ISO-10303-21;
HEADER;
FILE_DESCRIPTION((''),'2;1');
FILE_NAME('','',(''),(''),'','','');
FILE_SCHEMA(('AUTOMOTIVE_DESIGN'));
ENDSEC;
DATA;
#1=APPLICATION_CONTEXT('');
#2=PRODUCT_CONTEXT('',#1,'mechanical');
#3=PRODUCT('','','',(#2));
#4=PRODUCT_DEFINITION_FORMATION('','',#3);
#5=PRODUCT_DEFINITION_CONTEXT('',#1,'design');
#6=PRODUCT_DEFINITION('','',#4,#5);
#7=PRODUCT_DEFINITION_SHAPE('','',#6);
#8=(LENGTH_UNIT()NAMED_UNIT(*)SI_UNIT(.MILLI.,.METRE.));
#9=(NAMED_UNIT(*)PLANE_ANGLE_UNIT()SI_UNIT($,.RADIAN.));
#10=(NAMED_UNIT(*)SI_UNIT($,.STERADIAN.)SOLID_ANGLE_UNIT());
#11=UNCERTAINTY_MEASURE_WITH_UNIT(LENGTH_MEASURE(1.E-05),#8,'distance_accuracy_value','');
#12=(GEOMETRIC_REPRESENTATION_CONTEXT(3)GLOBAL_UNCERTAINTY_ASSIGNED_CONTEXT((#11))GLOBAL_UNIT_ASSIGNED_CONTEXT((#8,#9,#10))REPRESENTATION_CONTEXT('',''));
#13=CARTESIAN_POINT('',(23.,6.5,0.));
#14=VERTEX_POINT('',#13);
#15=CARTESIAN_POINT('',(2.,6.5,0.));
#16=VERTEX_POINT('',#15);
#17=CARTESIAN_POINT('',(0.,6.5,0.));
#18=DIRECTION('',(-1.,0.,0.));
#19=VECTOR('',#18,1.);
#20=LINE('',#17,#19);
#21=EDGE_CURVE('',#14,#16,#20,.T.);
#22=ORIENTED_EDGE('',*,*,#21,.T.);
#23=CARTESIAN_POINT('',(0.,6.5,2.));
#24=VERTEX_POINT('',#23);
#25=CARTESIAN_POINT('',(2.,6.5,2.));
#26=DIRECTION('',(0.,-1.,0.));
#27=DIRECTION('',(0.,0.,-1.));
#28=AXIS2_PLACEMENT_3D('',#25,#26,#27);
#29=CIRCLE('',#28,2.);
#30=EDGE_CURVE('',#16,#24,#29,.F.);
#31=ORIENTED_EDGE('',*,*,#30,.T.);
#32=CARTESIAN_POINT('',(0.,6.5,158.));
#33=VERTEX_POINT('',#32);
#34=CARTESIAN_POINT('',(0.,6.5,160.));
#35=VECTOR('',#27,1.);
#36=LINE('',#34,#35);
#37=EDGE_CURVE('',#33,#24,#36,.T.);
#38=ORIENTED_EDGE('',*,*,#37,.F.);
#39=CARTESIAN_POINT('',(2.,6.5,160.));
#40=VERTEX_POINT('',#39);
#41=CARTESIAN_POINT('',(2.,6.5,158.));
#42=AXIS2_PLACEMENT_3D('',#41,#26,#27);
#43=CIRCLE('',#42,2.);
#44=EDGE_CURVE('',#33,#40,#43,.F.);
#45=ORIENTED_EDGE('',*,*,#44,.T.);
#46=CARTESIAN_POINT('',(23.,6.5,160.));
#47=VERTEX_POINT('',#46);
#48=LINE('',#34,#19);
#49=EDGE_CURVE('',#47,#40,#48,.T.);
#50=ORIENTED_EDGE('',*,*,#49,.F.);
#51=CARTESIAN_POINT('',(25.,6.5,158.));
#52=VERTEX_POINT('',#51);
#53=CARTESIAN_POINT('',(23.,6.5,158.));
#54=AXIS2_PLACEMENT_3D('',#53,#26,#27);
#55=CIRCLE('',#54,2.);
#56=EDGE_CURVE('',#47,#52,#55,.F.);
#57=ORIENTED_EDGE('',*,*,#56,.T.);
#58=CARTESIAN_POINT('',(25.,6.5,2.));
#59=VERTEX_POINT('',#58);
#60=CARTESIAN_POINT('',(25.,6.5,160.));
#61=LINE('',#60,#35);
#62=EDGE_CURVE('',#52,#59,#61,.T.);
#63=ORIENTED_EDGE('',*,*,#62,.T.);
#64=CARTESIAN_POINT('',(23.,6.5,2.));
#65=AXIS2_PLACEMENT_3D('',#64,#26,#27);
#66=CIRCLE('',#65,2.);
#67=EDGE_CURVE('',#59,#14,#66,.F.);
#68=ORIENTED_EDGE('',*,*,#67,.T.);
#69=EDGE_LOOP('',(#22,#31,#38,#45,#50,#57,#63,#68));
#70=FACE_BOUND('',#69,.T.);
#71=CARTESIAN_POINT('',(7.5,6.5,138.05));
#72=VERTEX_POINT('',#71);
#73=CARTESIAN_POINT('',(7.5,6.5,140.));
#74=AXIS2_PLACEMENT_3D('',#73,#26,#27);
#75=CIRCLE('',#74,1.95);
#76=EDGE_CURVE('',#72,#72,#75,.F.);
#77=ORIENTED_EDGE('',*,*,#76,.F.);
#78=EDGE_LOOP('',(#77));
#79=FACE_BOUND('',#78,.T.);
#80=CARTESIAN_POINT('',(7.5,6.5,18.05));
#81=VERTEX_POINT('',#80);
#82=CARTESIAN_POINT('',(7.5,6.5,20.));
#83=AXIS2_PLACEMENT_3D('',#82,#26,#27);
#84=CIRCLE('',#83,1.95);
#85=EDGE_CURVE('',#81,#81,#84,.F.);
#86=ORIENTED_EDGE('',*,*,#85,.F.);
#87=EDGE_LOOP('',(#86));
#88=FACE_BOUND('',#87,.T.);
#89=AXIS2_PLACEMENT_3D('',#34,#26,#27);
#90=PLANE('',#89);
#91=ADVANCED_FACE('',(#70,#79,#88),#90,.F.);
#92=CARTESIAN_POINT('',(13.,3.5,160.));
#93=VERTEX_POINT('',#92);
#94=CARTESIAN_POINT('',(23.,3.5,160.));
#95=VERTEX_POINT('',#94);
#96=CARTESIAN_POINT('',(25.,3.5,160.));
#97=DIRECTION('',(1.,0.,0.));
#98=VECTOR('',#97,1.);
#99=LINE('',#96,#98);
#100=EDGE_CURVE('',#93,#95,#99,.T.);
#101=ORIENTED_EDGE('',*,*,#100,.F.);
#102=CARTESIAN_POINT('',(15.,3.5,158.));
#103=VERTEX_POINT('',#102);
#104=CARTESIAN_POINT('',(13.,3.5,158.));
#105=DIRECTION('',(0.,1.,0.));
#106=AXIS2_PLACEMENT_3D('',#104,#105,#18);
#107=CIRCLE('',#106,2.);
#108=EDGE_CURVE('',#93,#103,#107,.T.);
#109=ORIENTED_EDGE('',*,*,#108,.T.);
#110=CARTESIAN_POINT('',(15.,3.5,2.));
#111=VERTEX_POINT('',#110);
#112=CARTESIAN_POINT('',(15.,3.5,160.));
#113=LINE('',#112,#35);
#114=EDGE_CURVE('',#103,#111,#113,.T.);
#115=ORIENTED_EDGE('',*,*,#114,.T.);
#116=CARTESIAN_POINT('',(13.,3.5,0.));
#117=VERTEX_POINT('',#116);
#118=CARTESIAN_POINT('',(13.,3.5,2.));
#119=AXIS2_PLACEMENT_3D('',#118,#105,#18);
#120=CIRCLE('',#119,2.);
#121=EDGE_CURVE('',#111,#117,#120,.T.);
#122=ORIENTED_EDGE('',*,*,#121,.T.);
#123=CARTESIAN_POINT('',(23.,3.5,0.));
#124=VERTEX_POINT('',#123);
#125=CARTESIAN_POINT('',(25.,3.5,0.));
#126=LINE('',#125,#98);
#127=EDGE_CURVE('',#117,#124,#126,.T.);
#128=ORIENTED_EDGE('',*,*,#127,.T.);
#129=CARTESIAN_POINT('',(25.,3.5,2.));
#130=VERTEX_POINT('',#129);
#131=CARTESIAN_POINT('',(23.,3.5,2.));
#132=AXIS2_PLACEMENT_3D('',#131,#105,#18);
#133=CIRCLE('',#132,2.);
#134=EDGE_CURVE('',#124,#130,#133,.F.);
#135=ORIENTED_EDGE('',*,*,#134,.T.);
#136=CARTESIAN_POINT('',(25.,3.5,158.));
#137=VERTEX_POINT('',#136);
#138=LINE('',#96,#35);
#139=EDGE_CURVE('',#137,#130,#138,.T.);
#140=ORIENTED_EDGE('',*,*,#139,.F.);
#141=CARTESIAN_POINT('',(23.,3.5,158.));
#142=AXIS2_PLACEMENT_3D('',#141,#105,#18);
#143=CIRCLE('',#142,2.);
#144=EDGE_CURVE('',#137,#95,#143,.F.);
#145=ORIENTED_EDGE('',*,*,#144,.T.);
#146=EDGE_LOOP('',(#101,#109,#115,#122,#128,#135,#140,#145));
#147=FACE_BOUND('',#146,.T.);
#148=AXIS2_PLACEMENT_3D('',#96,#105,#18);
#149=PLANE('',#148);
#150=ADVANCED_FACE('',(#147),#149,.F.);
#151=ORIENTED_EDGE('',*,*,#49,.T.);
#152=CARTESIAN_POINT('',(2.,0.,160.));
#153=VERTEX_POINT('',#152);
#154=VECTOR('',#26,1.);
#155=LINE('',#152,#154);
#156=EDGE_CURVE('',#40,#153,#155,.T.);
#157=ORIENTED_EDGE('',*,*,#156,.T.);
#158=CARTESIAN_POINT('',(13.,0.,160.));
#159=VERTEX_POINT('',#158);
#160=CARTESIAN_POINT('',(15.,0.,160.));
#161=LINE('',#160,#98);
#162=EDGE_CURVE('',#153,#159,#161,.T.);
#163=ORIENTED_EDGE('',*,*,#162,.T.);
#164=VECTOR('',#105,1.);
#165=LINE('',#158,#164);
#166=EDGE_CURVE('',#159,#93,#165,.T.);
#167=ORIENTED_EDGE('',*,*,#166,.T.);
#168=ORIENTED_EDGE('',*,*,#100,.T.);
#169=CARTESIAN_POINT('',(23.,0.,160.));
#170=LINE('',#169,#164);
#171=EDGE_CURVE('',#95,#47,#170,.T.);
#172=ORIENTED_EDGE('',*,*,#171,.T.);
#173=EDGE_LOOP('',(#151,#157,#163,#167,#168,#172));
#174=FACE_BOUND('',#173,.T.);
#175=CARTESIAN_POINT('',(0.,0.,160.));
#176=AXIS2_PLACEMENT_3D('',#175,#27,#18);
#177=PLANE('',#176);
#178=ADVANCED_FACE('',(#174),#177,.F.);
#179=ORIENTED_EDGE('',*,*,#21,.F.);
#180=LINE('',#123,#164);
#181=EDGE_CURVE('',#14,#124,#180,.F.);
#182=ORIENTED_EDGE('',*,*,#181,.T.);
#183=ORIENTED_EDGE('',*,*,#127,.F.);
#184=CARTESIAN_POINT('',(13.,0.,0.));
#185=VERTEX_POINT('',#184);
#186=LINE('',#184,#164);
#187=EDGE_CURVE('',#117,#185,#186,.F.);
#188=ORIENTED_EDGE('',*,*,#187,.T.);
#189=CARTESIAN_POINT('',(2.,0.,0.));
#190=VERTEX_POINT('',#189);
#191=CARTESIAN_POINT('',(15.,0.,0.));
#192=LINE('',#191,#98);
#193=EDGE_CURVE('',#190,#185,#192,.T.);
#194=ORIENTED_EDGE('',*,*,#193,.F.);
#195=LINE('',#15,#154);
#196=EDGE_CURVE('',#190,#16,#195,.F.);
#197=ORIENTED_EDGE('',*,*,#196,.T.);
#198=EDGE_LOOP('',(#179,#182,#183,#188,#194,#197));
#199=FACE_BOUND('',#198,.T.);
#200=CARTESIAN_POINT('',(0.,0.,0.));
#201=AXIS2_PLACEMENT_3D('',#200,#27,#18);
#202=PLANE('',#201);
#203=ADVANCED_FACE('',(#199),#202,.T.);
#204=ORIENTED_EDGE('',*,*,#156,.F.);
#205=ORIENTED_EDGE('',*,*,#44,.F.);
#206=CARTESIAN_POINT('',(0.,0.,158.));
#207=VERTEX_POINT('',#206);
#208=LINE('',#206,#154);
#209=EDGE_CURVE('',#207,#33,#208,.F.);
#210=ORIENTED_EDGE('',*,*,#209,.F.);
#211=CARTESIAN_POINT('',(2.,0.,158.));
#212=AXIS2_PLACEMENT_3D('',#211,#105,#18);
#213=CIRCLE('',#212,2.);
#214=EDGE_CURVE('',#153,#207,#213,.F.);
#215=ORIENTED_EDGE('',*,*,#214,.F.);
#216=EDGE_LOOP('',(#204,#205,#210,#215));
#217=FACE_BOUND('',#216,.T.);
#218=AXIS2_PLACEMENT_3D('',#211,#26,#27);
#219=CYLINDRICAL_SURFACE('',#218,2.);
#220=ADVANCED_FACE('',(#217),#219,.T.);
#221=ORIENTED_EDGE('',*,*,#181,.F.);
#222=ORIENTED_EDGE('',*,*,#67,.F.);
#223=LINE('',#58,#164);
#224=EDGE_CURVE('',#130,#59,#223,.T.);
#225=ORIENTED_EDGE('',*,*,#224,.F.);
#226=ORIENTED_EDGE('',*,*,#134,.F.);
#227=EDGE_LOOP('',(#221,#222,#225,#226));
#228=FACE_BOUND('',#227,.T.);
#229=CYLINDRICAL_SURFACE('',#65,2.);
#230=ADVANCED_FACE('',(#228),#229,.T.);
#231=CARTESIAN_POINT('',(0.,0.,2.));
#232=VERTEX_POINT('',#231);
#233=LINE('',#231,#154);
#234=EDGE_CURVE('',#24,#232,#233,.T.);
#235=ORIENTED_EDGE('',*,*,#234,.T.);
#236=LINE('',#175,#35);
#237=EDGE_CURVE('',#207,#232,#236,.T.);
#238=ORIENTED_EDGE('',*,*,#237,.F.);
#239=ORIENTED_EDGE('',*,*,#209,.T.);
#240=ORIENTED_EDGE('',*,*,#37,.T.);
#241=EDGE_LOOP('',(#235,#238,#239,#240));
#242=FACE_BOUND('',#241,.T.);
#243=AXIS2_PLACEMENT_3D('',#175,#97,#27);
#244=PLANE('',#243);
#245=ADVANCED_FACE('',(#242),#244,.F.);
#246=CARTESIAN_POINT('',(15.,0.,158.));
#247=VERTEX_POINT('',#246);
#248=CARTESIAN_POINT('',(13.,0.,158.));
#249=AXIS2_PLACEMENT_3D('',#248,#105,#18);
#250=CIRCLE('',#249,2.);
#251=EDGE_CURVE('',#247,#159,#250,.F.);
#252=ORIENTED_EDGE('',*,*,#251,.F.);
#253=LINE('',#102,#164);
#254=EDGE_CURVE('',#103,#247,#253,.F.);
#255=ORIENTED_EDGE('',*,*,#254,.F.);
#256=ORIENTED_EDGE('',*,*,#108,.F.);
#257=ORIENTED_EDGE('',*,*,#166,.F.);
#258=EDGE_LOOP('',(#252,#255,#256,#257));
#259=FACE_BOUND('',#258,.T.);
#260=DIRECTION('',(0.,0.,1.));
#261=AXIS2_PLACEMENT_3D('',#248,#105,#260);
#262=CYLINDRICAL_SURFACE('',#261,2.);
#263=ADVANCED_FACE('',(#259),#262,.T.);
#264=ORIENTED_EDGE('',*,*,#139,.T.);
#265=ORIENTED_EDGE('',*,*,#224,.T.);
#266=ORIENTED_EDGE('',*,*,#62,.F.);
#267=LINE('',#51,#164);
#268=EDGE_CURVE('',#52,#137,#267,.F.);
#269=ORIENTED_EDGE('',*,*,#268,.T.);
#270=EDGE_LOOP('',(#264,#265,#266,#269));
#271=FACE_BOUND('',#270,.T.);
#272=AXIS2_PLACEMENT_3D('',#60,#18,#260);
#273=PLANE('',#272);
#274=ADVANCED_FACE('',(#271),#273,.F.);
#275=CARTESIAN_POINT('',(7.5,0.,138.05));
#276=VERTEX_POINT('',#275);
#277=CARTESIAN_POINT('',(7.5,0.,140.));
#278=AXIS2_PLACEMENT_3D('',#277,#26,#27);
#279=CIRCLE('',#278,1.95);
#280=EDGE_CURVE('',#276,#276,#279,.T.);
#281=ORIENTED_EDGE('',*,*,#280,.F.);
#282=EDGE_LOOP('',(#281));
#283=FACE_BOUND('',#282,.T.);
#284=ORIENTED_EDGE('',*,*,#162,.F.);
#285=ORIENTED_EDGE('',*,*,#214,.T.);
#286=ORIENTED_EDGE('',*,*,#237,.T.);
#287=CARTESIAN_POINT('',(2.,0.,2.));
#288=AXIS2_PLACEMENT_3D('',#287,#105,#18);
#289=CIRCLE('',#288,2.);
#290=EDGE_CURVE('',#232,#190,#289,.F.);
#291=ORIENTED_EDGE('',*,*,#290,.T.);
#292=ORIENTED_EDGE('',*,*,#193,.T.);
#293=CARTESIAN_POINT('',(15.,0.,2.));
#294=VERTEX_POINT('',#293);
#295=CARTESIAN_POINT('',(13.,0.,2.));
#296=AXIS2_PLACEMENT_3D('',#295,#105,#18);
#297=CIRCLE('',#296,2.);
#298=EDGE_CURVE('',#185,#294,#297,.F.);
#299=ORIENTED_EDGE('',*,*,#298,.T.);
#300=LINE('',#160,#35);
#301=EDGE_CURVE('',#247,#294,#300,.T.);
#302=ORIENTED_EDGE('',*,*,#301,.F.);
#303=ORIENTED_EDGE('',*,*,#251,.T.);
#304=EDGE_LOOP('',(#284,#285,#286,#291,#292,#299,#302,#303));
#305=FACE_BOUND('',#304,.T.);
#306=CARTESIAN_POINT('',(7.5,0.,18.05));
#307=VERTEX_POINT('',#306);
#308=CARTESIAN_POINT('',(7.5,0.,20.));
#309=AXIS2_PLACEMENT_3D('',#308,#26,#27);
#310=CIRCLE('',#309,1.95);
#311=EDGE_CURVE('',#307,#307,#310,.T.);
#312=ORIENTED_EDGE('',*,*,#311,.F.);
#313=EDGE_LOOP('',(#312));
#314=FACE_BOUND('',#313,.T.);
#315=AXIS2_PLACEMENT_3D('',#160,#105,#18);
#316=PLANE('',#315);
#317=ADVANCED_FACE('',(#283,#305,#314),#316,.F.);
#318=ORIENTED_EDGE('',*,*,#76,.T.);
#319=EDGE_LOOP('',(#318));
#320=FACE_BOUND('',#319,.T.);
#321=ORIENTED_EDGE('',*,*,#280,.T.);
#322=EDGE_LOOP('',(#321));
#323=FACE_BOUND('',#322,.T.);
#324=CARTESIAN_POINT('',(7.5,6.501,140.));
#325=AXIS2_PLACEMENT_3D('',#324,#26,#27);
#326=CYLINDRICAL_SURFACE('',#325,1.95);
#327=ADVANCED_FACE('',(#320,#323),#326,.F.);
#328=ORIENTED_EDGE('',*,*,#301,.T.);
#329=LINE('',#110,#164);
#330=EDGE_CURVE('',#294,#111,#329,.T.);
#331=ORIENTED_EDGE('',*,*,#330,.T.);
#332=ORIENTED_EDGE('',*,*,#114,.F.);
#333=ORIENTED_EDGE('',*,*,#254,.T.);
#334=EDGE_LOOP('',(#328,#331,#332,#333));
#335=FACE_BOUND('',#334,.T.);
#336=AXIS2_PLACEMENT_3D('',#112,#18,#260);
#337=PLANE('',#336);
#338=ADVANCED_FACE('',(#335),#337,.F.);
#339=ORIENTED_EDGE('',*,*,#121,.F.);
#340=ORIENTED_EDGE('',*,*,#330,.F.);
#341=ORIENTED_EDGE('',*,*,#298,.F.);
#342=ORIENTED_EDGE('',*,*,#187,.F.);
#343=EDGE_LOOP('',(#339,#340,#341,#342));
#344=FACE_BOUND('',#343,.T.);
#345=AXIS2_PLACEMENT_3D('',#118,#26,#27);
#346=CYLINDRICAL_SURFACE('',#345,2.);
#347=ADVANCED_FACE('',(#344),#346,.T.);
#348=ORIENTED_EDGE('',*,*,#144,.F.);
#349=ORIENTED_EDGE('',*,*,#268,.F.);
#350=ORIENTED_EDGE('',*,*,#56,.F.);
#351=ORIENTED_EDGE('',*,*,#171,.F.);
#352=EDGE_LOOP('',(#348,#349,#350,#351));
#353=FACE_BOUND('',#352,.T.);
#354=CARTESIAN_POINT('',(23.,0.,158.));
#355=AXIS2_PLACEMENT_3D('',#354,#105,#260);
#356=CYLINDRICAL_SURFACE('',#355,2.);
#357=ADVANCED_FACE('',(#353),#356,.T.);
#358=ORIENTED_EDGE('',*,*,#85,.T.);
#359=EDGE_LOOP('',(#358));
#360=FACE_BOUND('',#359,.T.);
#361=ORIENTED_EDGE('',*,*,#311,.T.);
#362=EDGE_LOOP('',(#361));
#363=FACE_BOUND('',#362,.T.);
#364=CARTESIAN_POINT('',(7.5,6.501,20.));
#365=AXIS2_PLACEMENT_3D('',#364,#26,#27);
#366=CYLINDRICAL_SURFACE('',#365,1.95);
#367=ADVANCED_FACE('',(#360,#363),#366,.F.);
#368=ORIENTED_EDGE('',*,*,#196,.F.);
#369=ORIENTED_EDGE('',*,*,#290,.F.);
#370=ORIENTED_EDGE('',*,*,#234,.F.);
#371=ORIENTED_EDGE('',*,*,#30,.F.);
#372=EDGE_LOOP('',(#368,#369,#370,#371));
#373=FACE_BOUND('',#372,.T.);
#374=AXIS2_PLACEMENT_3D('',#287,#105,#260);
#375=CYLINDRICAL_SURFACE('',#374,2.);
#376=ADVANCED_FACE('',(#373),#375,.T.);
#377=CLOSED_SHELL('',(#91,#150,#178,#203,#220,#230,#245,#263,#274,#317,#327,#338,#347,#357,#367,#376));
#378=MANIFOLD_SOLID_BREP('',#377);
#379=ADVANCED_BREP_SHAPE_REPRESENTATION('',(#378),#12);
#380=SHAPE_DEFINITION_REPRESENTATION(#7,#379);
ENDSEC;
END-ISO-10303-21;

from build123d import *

# Parameters (mm, degrees)
EXTRUDE_1_DEPTH     = 160
CUT_EXTRUDE_1_REACH = 164.072
SKETCH_2_R          = 1.95
FILLET_1_R          = 2


with BuildPart() as part:
    # 草图1 → 凸台-拉伸1 (new body)
    with BuildSketch(Plane.XY):
        Polygon((0, 0), (0, 6.5), (25, 6.5), (25, 3.5), (15, 3.5), (15, 0), align=None)
    extrude(amount=EXTRUDE_1_DEPTH)

    # 草图2 → 切除-拉伸1 (cut, up to next)
    with BuildSketch(Plane.XZ, mode=Mode.PRIVATE) as cut_extrude_1_sk1:
        with Locations(Location((7.5, 140, 0), (0, 0, 270))):
            Circle(SKETCH_2_R)
    cut_extrude_1_tool1 = extrude(cut_extrude_1_sk1.sketch, amount=-CUT_EXTRUDE_1_REACH, mode=Mode.PRIVATE) & part.part
    # 草图2 → 切除-拉伸1 (cut, up to next)
    with BuildSketch(Plane.XZ, mode=Mode.PRIVATE) as cut_extrude_1_sk2:
        with Locations(Location((7.5, 20, 0), (0, 0, 270))):
            Circle(SKETCH_2_R)
    cut_extrude_1_tool2 = extrude(cut_extrude_1_sk2.sketch, amount=-CUT_EXTRUDE_1_REACH, mode=Mode.PRIVATE) & part.part
    add(cut_extrude_1_tool1.solids().sort_by_distance((7.5, 0, 140))[0], mode=Mode.SUBTRACT)
    add(cut_extrude_1_tool2.solids().sort_by_distance((7.5, 0, 20))[0], mode=Mode.SUBTRACT)

    # 圆角1
    fillet_1_edges = [part.edges().sort_by_distance(p)[0] for p in [
        (25, 5, 160),
        (0, 3.25, 160),
        (0, 3.25, 0),
        (25, 5, 0),
        (15, 1.75, 0),
        (15, 1.75, 160),
    ]]
    fillet(fillet_1_edges, radius=FILLET_1_R)


solid = part.part
